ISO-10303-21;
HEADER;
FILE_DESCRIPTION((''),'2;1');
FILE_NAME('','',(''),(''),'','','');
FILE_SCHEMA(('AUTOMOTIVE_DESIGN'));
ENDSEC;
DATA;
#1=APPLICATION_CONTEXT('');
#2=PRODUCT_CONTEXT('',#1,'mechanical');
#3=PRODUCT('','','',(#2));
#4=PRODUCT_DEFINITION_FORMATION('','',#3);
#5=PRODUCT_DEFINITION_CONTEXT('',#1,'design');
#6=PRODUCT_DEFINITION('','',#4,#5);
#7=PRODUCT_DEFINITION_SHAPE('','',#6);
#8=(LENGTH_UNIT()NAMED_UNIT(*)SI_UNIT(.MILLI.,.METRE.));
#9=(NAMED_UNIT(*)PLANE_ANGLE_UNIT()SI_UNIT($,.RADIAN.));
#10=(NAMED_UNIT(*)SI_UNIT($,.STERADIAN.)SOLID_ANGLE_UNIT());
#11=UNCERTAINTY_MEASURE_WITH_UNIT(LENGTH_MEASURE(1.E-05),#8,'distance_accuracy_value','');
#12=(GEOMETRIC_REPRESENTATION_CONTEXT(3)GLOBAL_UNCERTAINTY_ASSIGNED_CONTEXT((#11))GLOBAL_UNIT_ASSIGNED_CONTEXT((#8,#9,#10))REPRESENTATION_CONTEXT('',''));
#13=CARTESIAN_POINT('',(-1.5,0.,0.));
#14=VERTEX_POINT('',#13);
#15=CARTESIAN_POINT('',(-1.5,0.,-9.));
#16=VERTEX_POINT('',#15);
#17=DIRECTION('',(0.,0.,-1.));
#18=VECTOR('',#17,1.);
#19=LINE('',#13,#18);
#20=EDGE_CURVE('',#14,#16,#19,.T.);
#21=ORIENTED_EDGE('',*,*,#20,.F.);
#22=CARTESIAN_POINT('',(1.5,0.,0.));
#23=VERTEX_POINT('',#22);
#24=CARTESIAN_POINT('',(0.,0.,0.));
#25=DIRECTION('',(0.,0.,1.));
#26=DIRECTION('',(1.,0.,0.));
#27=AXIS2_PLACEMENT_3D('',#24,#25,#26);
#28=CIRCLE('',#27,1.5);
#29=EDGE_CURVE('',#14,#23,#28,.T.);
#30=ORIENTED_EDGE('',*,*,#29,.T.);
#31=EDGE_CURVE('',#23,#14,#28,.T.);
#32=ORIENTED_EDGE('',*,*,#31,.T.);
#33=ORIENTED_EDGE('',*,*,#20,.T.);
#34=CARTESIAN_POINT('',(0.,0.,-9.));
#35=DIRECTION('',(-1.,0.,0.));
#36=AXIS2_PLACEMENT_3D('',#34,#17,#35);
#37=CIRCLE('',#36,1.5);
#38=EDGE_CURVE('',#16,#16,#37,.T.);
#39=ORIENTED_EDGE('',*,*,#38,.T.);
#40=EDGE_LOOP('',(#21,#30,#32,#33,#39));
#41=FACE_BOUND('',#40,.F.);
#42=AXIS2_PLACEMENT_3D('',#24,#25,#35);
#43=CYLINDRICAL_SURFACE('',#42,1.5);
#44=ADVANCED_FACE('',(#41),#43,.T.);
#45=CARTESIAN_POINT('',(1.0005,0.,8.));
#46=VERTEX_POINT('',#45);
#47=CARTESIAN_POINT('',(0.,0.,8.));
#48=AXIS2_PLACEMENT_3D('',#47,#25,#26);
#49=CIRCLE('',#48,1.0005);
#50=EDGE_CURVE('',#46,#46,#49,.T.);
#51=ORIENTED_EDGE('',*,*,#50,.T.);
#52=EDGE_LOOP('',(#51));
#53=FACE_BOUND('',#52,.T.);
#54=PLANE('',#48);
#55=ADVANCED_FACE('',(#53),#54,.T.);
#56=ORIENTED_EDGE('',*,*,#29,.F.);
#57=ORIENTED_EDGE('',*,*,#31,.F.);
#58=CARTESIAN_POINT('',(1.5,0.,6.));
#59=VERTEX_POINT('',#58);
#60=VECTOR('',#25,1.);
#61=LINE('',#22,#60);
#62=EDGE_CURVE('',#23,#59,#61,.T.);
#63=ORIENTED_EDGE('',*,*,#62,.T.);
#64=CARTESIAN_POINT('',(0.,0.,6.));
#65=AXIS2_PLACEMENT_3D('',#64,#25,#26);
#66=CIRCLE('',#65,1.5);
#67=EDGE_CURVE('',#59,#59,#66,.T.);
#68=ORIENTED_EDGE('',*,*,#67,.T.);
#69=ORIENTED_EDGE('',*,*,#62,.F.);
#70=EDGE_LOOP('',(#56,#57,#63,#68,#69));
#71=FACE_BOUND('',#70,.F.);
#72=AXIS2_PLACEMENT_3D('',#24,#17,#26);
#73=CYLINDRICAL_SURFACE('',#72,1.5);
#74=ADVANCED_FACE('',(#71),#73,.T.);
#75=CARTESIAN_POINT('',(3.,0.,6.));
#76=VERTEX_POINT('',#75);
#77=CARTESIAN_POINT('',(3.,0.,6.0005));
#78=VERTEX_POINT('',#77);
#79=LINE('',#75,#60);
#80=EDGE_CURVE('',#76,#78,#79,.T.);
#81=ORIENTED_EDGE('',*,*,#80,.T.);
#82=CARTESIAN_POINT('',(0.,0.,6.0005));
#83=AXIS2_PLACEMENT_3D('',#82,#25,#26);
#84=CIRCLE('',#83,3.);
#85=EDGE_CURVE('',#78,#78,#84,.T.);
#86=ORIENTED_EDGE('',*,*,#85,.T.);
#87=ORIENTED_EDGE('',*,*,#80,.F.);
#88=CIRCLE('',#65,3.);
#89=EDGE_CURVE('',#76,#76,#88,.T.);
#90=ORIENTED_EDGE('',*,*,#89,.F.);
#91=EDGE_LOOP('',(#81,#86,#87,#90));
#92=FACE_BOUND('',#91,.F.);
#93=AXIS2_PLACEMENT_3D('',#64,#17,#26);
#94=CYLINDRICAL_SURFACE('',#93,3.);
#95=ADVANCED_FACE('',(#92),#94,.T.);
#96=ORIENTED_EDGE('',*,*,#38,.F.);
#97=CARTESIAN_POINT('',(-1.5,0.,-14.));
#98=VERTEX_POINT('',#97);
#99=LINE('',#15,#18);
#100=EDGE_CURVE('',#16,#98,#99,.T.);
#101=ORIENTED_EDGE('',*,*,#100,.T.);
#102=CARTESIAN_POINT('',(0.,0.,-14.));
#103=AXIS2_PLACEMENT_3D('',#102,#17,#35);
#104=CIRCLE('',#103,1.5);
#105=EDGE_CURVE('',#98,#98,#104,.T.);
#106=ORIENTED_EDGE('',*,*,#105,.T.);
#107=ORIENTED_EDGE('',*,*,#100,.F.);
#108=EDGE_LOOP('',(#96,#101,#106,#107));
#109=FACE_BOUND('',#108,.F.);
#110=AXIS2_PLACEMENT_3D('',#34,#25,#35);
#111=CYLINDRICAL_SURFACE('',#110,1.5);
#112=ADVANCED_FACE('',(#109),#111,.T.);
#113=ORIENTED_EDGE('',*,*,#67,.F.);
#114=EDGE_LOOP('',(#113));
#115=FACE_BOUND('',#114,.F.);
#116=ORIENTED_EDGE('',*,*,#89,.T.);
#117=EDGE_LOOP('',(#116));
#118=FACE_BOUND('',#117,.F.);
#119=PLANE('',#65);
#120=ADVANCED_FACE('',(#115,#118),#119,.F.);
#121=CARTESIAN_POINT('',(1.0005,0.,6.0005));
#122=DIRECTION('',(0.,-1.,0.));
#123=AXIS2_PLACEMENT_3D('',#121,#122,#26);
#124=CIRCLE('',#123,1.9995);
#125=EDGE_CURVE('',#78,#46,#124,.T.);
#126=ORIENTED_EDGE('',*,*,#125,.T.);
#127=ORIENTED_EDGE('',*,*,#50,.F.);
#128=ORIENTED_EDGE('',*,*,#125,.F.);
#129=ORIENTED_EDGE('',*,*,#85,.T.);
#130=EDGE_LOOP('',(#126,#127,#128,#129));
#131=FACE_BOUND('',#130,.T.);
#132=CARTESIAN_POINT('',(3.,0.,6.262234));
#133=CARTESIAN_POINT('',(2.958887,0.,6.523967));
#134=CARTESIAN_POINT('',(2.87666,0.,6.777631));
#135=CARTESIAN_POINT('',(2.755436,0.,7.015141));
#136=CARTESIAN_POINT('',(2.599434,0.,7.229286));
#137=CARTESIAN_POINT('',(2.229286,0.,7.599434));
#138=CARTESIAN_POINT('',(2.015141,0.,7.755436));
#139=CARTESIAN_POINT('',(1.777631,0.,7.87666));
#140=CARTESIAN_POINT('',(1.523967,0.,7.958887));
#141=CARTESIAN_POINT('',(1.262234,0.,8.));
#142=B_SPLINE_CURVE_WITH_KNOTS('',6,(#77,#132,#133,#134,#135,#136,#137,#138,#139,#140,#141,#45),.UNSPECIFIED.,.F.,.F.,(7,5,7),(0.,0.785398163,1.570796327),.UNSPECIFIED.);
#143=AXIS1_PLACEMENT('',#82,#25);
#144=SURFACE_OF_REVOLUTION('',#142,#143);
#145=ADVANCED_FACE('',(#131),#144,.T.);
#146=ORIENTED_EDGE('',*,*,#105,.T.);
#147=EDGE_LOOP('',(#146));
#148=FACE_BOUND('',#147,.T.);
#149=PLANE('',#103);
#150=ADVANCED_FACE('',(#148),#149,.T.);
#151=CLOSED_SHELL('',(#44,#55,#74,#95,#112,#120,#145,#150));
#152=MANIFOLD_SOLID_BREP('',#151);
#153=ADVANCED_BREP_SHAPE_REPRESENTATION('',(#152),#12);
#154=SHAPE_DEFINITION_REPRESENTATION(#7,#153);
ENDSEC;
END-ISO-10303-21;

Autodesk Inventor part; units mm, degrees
ref_plane "YZ Plane" through (0, 0, 0) normal (1, 0, 0) x (0, 1, 0)
ref_plane "XZ Plane" through (0, 0, 0) normal (0, 1, 0) x (-1, 0, 0)
ref_plane "XY Plane" through (0, 0, 0) normal (0, 0, 1) x (1, 0, 0)
sketch "スケッチ1" plane through (0, 0, 0) normal (0, 0, 1) x (1, 0, 0)
  circle A0 centre (0, 0) radius 1.5
  dimension "d0" = 3
extrude "押し出し1" add sketch "スケッチ1" along normal blind 6
sketch "スケッチ2" plane through (0, 0, 6) normal (0, 0, 1) x (1, 0, 0)
  circle A0 centre (0, 0) radius 1.5 projected
  circle A1 centre (0, 0) radius 3
  dimension "d3" = 6
extrude "押し出し2" add sketch "スケッチ2" along normal blind 2 contours A0 | A1
fillet "フィレット1" radius 2 1 edges at (-3, 0, 8)
thread "ねじ1" size "M3x0.5" class "6g" standard "ANSI Metric M Profile" full length
sketch "スケッチ3" plane through (0, 0, 0) normal (0, 0, -1) x (-1, 0, 0)
  circle A0 centre (0, 0) radius 1.5 projected
extrude "押し出し3" add sketch "スケッチ3" along normal blind 9
sketch "スケッチ4" plane through (0, 0, -9) normal (0, 0, -1) x (-1, 0, 0)
  circle A0 centre (0, 0) radius 1.5 projected
extrude "押し出し4" add sketch "スケッチ4" along normal blind 5
properties part number "SB　20mmなべネジ" material "Steel, Mild"
